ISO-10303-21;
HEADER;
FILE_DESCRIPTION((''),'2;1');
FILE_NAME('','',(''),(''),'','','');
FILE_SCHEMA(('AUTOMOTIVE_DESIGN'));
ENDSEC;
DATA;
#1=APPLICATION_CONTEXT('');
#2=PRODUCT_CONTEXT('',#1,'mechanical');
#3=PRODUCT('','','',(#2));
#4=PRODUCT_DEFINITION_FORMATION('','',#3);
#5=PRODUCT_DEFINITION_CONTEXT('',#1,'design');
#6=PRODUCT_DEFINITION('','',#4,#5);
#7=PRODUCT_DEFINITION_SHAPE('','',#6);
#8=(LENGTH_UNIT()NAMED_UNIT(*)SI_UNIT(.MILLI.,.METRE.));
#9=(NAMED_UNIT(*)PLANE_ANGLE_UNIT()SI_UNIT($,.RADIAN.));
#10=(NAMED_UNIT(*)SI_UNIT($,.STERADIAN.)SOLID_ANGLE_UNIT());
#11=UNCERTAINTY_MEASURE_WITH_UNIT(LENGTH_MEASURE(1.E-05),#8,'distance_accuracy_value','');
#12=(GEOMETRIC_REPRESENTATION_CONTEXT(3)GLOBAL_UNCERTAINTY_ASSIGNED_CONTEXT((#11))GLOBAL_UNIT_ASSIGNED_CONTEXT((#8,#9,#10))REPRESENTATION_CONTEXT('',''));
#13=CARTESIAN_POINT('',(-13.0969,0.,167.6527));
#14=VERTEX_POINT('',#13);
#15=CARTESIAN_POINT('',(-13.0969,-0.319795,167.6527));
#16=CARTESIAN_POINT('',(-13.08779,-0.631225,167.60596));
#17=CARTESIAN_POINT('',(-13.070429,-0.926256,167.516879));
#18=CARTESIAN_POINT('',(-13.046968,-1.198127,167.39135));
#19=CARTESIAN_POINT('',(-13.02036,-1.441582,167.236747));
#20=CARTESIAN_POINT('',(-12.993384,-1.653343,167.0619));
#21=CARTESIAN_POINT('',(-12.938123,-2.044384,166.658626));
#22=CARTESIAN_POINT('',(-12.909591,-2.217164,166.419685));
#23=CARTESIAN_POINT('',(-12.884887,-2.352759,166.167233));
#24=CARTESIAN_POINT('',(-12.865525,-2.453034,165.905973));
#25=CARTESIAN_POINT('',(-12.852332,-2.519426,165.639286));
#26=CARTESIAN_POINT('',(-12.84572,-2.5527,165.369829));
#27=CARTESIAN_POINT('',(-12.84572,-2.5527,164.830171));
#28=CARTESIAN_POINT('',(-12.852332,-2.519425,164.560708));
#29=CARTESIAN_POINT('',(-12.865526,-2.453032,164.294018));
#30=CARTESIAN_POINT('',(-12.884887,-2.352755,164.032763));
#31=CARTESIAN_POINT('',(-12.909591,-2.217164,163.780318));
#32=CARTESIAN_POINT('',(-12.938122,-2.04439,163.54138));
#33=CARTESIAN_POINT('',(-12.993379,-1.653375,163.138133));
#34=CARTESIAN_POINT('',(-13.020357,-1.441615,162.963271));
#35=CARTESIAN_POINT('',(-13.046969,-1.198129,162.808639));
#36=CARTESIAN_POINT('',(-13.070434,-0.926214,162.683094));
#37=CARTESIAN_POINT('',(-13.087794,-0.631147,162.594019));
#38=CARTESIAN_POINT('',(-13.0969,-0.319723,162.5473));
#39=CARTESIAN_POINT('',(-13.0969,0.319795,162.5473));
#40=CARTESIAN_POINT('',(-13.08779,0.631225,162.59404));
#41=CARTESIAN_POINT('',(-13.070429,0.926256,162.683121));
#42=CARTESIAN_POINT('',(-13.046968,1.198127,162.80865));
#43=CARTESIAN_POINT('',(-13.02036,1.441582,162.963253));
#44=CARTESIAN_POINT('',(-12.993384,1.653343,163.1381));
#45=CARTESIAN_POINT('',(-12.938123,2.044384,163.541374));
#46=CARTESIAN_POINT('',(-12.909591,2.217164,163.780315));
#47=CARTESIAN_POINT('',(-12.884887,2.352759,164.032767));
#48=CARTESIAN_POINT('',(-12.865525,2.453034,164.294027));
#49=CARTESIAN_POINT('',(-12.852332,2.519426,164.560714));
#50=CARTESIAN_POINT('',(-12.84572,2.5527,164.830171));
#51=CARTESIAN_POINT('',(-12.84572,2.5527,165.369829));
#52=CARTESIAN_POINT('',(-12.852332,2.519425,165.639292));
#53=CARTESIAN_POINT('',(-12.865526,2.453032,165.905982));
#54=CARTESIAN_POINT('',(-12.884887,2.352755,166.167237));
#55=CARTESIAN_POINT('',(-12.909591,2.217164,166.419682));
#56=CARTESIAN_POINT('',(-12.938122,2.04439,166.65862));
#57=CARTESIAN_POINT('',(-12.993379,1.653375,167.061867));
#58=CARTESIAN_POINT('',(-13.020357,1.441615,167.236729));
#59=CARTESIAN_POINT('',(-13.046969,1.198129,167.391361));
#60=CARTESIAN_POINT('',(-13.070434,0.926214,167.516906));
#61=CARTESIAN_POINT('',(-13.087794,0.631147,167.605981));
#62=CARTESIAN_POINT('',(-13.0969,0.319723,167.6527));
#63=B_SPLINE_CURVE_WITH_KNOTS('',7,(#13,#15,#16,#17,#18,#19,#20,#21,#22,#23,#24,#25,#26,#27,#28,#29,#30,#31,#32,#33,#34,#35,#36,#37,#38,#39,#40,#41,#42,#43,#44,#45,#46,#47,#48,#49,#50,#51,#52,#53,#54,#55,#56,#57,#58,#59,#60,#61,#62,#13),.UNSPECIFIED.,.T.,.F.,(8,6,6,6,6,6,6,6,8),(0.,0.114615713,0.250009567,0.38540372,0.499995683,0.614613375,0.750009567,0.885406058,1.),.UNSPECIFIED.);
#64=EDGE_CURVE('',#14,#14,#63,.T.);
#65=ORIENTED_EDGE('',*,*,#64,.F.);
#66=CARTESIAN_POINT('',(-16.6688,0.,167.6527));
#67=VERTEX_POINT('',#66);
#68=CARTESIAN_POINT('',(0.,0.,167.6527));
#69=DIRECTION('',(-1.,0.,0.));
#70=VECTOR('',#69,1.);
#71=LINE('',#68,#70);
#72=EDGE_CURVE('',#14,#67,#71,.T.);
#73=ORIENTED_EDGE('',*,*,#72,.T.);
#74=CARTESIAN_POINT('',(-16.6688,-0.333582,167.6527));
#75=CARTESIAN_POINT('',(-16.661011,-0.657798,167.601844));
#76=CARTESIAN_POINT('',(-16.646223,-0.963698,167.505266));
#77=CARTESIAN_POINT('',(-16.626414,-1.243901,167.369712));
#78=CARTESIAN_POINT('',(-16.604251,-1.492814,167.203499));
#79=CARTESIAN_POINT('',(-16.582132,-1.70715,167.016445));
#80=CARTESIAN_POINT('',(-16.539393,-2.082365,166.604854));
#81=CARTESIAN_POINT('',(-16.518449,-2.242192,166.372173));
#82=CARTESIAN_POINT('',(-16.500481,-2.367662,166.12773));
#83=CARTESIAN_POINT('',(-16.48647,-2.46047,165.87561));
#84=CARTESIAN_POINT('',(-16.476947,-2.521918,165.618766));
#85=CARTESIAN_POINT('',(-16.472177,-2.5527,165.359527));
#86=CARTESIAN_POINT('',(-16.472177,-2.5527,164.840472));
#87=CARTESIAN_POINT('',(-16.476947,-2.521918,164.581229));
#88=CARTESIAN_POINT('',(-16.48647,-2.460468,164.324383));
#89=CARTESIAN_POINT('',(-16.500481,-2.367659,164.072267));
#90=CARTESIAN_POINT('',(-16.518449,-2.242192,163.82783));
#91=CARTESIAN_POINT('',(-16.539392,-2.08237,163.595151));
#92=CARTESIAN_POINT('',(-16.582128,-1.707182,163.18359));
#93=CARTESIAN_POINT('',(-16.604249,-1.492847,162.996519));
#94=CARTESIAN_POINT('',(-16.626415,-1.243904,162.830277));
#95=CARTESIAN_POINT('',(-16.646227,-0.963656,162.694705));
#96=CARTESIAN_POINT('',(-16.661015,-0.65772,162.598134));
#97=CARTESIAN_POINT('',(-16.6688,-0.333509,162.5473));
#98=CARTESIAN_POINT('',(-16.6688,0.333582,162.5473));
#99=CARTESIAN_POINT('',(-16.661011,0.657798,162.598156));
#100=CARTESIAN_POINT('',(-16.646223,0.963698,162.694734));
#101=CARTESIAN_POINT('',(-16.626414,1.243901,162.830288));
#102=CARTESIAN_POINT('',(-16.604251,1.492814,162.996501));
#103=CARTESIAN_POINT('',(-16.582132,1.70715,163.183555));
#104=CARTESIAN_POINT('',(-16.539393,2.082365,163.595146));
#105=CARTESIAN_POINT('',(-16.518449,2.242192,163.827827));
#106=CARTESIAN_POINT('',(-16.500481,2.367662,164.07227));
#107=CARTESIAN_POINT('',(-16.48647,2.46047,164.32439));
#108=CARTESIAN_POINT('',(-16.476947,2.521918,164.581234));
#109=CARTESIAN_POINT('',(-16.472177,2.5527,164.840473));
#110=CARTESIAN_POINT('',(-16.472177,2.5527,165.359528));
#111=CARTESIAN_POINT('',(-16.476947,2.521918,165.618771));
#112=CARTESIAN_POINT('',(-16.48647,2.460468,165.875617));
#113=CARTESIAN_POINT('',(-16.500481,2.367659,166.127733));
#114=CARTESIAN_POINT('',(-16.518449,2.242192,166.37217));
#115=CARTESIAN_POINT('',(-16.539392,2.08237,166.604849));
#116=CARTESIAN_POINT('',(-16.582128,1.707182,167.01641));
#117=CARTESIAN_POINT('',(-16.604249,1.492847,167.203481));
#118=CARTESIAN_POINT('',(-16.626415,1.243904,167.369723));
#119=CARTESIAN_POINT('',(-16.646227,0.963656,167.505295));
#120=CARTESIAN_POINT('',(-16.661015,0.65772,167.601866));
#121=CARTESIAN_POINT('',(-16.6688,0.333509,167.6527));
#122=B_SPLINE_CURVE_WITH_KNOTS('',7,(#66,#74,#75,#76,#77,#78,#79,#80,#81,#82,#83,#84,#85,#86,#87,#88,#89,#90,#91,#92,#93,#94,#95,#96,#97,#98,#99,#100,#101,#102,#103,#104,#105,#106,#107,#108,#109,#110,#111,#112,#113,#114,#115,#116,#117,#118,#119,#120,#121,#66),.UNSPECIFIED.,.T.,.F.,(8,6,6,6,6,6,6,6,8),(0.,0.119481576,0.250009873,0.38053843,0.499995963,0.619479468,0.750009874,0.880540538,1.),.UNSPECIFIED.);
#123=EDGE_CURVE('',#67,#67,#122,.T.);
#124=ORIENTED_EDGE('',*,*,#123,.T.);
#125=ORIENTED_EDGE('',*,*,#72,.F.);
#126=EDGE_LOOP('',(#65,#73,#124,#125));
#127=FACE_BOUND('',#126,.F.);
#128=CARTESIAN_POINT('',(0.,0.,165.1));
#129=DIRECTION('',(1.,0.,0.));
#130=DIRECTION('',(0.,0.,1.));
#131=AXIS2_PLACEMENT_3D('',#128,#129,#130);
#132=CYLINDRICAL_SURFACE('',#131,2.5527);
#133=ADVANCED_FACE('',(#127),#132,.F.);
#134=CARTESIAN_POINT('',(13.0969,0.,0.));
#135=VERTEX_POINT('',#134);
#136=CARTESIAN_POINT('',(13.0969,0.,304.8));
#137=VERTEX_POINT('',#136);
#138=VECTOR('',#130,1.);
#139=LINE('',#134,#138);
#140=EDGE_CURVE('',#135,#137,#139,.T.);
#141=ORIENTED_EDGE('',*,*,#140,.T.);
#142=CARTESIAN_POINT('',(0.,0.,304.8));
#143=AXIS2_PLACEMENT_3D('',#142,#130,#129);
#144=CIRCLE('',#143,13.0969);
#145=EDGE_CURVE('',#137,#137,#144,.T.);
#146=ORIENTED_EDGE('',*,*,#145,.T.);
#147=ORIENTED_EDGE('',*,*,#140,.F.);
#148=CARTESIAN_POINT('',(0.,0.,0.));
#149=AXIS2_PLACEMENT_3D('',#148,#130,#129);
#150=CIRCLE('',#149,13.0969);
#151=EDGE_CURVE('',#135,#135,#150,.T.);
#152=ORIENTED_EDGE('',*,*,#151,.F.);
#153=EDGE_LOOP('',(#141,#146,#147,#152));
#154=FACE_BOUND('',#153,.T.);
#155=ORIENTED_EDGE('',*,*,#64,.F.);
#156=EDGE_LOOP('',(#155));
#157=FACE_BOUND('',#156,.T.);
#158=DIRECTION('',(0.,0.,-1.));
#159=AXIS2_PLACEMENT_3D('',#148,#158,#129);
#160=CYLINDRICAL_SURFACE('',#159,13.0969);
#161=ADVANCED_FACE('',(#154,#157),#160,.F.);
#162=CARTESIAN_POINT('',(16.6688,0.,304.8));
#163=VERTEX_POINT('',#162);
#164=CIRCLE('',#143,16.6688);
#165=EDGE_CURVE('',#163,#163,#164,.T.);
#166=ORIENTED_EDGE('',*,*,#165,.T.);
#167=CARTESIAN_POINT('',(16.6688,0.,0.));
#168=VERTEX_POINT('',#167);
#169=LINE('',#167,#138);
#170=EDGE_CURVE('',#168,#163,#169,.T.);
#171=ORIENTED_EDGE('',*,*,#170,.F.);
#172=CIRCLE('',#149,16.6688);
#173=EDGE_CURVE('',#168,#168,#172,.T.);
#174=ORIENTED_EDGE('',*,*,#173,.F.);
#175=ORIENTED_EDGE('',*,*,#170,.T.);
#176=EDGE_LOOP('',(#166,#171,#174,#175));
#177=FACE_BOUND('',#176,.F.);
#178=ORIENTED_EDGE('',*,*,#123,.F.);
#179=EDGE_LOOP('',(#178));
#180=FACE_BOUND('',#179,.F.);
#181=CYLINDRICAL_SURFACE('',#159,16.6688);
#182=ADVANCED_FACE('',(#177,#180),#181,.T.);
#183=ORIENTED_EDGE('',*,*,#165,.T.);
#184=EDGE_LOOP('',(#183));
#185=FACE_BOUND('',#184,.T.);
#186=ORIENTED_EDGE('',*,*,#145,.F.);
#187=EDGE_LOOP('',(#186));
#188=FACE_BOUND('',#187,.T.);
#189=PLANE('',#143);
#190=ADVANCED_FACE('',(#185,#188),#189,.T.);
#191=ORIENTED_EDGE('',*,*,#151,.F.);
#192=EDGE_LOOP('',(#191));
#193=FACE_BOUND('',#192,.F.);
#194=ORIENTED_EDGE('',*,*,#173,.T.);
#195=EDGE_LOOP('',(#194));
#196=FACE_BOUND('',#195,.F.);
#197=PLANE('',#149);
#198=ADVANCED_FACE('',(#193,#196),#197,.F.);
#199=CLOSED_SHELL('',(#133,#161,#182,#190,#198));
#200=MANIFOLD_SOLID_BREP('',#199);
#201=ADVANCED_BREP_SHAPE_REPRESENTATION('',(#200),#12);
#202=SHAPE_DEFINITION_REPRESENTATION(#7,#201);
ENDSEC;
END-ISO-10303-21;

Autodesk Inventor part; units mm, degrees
ref_plane "XZ Plane" through (0, 0, 0) normal (0, 1, 0) x (-1, 0, 0)
ref_plane "XY Plane" through (0, 0, 0) normal (0, 0, 1) x (1, 0, 0)
sketch "Sketch1" plane through (0, 0, 0) normal (0, 0, 1) x (1, 0, 0)
  circle A0 centre (0, 0) radius 16.6688
  circle A1 centre (0, 0) radius 13.0969
  dimension "d0" = 33.3375
  dimension "d1" = 26.1938
extrude "Extrusion1" add sketch "Sketch1" along normal blind 304.8
ref_plane "Work Plane1" through (0, 0, 0) normal (1, 0, 0) x (0, 0, 1)
sketch "Sketch2" plane through (0, 0, 0) normal (1, 0, 0) x (0, 0, 1)
  line L0 (0, -16.6688) -> (304.8, -16.6688) projected
  line L1 (0, 16.6688) -> (304.8, 16.6688) projected
  line L2 (304.8, 13.0969) -> (304.8, -13.0969) projected
  line L3 (304.8, 16.6688) -> (304.8, -16.6688) projected
  circle A0 centre (165.1, 0) radius 3.175
  circle A1 centre (165.1, 0) radius 2.5527
  line L4 (-60.96, 0) -> (365.76, 0) projected
  dimension "d5" = 6.35
  dimension "d6" = 5.1054
  dimension "d7" = 139.7
extrude "Extrusion2" cut sketch "Sketch2" against normal blind 304.8 contours L4 A1 | A1 L4
thread "Thread1" size "1/4-28 UNF" class "2B" standard "ANSI Unified Screw Threads" full length
properties part number "FE-00006-06"
